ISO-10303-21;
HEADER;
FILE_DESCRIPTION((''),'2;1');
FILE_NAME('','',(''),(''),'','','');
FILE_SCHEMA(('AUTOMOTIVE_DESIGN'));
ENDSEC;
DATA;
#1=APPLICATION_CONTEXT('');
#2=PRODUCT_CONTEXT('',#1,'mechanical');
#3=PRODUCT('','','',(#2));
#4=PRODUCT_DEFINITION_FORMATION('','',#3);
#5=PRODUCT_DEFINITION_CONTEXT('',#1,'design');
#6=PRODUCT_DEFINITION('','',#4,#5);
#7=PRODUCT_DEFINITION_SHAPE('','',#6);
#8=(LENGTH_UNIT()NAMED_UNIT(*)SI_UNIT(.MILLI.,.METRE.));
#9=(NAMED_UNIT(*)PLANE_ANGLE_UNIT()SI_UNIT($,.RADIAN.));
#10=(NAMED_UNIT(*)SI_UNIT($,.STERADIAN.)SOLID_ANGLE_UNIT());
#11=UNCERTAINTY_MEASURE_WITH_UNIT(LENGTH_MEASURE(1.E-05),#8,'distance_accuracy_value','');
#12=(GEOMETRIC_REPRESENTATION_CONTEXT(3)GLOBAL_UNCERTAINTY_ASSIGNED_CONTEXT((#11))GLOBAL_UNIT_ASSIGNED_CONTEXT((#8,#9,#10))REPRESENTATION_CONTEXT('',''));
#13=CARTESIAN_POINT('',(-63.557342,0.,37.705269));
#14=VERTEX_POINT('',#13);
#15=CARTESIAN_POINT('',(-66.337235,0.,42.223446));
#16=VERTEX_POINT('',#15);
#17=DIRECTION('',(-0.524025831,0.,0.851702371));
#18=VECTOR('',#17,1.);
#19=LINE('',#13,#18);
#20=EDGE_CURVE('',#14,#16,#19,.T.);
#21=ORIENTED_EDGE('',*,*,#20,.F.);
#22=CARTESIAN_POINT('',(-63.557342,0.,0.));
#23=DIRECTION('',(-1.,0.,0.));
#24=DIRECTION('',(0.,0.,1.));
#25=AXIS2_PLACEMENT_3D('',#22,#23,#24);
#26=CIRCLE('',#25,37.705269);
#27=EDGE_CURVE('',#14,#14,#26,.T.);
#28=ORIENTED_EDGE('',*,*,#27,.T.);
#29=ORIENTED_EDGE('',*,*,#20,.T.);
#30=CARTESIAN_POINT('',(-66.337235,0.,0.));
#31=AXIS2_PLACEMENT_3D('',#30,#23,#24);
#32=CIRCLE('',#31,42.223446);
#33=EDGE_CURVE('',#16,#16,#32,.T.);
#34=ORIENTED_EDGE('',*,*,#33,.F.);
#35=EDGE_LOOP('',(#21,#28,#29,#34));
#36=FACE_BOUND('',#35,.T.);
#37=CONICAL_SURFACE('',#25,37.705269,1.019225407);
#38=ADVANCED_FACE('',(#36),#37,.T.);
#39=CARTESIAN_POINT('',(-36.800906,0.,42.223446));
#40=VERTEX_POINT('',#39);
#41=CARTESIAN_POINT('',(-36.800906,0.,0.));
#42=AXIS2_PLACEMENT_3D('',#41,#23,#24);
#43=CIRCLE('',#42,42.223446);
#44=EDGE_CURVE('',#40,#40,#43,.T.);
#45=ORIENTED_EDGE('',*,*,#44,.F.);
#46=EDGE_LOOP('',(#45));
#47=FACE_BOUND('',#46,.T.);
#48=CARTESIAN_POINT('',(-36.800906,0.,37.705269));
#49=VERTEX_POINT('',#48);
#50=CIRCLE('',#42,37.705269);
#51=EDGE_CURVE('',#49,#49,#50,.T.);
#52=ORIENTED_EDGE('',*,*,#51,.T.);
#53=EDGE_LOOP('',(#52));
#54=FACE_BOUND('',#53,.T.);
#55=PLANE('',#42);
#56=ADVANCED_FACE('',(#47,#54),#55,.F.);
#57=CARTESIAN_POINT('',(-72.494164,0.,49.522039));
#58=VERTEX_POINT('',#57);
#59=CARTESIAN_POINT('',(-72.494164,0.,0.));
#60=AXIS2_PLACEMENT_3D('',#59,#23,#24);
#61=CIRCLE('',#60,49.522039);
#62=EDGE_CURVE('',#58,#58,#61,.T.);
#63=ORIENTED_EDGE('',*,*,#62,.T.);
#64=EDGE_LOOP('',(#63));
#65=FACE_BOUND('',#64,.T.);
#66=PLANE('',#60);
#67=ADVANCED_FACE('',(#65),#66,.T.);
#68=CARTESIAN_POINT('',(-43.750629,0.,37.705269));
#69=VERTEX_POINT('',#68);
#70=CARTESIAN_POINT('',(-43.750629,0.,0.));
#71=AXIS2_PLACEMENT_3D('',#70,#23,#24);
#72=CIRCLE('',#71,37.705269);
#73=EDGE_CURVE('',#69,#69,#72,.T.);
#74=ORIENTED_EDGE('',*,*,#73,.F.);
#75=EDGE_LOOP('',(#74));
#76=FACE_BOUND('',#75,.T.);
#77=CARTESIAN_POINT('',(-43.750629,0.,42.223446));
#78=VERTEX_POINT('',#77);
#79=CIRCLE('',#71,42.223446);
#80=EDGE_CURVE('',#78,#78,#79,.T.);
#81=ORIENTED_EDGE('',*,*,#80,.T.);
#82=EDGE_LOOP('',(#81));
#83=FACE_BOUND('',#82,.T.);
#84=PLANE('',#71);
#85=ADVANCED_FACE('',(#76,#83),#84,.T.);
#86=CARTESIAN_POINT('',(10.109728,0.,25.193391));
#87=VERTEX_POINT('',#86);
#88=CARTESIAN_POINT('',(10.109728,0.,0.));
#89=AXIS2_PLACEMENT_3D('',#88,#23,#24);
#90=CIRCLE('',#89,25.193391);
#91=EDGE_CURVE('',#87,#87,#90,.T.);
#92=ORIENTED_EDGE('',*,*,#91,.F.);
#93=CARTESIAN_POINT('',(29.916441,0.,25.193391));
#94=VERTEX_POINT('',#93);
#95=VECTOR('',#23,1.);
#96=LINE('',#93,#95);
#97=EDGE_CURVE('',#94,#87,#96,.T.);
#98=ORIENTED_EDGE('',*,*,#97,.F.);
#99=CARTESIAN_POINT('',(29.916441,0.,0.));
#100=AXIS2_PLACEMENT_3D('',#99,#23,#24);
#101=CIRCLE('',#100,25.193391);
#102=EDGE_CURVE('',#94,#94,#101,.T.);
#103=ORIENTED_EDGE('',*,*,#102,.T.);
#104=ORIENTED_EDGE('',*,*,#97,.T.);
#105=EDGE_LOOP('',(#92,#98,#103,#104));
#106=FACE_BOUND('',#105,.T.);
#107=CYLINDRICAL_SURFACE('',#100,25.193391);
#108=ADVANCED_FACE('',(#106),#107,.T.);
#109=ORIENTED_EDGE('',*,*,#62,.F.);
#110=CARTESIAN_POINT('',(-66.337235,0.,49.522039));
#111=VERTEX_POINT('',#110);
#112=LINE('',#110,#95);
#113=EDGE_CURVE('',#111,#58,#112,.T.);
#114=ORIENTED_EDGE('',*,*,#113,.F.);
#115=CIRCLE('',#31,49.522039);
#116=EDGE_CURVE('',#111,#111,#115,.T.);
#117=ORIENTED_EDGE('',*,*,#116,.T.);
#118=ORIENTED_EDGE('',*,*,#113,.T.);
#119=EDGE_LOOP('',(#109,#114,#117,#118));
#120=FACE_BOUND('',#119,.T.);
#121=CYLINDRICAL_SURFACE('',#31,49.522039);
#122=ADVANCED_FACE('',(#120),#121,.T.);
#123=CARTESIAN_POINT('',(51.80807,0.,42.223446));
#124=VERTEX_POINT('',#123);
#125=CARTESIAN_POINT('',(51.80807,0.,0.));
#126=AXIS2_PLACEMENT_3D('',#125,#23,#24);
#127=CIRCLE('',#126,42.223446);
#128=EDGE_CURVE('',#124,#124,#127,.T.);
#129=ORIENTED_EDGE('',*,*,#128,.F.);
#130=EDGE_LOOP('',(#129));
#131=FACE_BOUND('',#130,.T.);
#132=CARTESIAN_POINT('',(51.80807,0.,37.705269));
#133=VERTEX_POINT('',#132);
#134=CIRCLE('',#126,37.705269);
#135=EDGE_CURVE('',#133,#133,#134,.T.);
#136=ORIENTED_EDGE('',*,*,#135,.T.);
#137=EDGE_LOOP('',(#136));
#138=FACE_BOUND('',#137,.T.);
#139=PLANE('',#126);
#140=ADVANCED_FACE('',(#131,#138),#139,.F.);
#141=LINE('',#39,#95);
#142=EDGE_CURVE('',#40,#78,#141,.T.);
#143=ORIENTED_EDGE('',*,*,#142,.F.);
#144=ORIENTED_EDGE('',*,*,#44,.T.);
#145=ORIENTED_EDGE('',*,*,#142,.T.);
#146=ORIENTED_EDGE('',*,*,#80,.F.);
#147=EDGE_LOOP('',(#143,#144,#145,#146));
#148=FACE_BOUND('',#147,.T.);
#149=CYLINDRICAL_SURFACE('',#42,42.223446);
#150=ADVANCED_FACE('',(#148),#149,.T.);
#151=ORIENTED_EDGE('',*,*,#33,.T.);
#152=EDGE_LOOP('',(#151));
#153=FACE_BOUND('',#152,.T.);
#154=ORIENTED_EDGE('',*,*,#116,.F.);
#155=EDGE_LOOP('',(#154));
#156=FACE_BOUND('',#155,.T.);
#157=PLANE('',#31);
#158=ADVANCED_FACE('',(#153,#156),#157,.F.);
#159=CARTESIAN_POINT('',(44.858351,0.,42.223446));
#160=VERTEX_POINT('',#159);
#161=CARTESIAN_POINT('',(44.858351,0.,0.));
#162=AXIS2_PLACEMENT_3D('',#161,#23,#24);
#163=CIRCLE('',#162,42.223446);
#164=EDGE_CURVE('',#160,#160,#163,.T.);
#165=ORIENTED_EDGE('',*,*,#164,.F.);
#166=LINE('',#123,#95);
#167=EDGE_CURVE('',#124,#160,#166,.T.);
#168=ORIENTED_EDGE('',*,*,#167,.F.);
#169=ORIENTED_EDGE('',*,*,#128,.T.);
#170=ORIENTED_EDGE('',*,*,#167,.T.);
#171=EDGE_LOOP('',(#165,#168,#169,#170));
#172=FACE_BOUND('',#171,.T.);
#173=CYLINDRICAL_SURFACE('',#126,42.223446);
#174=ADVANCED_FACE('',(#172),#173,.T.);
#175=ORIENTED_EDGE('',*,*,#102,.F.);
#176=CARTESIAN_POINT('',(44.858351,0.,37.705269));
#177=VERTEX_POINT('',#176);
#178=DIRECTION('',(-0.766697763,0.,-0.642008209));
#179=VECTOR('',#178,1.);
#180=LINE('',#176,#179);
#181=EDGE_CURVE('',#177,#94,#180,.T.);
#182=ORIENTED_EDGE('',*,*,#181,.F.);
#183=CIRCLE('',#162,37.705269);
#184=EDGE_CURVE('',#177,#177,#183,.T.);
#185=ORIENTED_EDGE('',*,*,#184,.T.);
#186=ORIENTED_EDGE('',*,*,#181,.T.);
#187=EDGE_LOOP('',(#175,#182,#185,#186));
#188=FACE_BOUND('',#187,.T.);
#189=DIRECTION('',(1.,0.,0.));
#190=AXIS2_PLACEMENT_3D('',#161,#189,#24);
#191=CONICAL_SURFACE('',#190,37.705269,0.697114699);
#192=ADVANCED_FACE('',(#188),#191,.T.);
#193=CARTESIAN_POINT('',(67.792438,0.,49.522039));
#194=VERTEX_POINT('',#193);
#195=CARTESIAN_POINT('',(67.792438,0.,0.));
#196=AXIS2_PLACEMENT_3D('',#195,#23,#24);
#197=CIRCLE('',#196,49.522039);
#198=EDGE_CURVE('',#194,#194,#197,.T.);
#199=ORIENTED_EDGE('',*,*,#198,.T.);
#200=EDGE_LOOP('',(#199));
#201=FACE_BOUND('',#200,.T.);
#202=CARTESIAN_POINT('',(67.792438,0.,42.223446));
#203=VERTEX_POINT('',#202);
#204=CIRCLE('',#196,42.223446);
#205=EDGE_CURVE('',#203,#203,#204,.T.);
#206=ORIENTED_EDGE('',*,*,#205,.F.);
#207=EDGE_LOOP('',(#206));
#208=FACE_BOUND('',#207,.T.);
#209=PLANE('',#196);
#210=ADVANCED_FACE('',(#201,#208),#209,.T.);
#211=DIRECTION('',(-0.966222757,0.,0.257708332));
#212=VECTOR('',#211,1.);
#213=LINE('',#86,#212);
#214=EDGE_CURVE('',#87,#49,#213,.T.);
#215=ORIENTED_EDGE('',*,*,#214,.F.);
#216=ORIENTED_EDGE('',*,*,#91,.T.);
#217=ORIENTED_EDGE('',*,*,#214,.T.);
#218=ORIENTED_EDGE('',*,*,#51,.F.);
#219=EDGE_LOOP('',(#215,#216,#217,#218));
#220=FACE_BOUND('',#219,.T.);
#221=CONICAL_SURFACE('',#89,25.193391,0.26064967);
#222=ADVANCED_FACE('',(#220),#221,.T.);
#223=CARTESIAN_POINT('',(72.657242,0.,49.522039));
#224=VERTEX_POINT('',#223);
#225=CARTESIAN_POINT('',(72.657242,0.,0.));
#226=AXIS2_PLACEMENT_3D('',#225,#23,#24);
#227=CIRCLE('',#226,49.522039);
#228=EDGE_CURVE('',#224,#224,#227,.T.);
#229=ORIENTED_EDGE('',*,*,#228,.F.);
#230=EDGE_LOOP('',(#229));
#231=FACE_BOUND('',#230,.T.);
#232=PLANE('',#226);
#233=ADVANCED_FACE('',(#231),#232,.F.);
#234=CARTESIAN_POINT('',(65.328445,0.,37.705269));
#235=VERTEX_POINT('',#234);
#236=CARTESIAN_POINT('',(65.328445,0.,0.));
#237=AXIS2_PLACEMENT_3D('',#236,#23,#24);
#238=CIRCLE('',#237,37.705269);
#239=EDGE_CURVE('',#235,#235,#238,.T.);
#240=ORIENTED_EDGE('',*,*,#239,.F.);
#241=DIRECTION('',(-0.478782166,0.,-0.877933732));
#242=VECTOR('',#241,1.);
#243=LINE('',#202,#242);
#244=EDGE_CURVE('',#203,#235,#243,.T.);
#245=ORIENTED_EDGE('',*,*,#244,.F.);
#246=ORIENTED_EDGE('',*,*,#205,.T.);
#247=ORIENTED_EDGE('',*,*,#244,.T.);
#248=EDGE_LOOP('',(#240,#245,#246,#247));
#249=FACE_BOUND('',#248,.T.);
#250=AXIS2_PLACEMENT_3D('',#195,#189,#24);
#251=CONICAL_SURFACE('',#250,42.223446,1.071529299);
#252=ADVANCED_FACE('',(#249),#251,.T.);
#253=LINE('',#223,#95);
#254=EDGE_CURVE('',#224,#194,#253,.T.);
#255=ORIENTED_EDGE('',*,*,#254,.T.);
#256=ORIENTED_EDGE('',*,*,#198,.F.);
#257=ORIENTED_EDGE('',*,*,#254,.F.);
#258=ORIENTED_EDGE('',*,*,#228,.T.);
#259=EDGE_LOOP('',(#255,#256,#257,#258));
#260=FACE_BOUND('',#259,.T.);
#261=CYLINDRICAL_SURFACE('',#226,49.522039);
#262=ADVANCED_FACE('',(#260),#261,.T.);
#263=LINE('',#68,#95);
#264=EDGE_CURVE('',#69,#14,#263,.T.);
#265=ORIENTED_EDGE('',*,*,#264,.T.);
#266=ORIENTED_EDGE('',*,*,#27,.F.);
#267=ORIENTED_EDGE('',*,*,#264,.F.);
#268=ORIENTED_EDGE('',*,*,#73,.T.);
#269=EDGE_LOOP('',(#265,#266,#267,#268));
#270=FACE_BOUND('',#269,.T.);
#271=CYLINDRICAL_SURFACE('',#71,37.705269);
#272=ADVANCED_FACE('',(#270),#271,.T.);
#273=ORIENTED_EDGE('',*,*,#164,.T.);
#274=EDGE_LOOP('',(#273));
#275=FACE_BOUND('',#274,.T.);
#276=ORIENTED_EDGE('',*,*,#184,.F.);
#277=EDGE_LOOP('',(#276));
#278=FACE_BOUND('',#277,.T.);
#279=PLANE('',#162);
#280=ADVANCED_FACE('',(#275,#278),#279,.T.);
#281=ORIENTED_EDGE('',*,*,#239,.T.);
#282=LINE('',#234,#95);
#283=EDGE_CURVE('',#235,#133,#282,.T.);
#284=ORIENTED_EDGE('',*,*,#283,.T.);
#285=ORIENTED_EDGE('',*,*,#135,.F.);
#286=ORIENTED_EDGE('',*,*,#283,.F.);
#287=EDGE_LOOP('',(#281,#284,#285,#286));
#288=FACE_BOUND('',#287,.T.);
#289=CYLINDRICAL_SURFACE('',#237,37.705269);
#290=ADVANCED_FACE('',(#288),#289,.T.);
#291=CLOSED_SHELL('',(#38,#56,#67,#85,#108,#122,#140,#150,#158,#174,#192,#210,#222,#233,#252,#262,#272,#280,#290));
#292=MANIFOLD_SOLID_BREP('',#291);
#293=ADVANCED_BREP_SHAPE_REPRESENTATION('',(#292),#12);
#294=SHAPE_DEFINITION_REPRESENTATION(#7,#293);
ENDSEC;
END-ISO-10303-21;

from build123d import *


with BuildPart() as f1:
    # F0 (on Front) → F1 (revolve)
    with BuildSketch(Plane.XZ):
        Polygon((-66.337235, 49.522039), (-72.494164, 49.522039), (-72.494164, 0), (72.657242, 0), (72.657242, 49.522039), (67.792438, 49.522039), (67.792438, 42.223446), (65.328445, 37.705269), (51.80807, 37.705269), (51.80807, 42.223446), (44.858351, 42.223446), (44.858351, 37.705269), (29.916441, 25.193391), (10.109728, 25.193391), (-36.800906, 37.705269), (-36.800906, 42.223446), (-43.750629, 42.223446), (-43.750629, 37.705269), (-63.557342, 37.705269), (-66.337235, 42.223446), align=None)
    revolve(axis=Axis((0.081539, 0, 0), (-1, 0, 0)))


solid = f1.part
